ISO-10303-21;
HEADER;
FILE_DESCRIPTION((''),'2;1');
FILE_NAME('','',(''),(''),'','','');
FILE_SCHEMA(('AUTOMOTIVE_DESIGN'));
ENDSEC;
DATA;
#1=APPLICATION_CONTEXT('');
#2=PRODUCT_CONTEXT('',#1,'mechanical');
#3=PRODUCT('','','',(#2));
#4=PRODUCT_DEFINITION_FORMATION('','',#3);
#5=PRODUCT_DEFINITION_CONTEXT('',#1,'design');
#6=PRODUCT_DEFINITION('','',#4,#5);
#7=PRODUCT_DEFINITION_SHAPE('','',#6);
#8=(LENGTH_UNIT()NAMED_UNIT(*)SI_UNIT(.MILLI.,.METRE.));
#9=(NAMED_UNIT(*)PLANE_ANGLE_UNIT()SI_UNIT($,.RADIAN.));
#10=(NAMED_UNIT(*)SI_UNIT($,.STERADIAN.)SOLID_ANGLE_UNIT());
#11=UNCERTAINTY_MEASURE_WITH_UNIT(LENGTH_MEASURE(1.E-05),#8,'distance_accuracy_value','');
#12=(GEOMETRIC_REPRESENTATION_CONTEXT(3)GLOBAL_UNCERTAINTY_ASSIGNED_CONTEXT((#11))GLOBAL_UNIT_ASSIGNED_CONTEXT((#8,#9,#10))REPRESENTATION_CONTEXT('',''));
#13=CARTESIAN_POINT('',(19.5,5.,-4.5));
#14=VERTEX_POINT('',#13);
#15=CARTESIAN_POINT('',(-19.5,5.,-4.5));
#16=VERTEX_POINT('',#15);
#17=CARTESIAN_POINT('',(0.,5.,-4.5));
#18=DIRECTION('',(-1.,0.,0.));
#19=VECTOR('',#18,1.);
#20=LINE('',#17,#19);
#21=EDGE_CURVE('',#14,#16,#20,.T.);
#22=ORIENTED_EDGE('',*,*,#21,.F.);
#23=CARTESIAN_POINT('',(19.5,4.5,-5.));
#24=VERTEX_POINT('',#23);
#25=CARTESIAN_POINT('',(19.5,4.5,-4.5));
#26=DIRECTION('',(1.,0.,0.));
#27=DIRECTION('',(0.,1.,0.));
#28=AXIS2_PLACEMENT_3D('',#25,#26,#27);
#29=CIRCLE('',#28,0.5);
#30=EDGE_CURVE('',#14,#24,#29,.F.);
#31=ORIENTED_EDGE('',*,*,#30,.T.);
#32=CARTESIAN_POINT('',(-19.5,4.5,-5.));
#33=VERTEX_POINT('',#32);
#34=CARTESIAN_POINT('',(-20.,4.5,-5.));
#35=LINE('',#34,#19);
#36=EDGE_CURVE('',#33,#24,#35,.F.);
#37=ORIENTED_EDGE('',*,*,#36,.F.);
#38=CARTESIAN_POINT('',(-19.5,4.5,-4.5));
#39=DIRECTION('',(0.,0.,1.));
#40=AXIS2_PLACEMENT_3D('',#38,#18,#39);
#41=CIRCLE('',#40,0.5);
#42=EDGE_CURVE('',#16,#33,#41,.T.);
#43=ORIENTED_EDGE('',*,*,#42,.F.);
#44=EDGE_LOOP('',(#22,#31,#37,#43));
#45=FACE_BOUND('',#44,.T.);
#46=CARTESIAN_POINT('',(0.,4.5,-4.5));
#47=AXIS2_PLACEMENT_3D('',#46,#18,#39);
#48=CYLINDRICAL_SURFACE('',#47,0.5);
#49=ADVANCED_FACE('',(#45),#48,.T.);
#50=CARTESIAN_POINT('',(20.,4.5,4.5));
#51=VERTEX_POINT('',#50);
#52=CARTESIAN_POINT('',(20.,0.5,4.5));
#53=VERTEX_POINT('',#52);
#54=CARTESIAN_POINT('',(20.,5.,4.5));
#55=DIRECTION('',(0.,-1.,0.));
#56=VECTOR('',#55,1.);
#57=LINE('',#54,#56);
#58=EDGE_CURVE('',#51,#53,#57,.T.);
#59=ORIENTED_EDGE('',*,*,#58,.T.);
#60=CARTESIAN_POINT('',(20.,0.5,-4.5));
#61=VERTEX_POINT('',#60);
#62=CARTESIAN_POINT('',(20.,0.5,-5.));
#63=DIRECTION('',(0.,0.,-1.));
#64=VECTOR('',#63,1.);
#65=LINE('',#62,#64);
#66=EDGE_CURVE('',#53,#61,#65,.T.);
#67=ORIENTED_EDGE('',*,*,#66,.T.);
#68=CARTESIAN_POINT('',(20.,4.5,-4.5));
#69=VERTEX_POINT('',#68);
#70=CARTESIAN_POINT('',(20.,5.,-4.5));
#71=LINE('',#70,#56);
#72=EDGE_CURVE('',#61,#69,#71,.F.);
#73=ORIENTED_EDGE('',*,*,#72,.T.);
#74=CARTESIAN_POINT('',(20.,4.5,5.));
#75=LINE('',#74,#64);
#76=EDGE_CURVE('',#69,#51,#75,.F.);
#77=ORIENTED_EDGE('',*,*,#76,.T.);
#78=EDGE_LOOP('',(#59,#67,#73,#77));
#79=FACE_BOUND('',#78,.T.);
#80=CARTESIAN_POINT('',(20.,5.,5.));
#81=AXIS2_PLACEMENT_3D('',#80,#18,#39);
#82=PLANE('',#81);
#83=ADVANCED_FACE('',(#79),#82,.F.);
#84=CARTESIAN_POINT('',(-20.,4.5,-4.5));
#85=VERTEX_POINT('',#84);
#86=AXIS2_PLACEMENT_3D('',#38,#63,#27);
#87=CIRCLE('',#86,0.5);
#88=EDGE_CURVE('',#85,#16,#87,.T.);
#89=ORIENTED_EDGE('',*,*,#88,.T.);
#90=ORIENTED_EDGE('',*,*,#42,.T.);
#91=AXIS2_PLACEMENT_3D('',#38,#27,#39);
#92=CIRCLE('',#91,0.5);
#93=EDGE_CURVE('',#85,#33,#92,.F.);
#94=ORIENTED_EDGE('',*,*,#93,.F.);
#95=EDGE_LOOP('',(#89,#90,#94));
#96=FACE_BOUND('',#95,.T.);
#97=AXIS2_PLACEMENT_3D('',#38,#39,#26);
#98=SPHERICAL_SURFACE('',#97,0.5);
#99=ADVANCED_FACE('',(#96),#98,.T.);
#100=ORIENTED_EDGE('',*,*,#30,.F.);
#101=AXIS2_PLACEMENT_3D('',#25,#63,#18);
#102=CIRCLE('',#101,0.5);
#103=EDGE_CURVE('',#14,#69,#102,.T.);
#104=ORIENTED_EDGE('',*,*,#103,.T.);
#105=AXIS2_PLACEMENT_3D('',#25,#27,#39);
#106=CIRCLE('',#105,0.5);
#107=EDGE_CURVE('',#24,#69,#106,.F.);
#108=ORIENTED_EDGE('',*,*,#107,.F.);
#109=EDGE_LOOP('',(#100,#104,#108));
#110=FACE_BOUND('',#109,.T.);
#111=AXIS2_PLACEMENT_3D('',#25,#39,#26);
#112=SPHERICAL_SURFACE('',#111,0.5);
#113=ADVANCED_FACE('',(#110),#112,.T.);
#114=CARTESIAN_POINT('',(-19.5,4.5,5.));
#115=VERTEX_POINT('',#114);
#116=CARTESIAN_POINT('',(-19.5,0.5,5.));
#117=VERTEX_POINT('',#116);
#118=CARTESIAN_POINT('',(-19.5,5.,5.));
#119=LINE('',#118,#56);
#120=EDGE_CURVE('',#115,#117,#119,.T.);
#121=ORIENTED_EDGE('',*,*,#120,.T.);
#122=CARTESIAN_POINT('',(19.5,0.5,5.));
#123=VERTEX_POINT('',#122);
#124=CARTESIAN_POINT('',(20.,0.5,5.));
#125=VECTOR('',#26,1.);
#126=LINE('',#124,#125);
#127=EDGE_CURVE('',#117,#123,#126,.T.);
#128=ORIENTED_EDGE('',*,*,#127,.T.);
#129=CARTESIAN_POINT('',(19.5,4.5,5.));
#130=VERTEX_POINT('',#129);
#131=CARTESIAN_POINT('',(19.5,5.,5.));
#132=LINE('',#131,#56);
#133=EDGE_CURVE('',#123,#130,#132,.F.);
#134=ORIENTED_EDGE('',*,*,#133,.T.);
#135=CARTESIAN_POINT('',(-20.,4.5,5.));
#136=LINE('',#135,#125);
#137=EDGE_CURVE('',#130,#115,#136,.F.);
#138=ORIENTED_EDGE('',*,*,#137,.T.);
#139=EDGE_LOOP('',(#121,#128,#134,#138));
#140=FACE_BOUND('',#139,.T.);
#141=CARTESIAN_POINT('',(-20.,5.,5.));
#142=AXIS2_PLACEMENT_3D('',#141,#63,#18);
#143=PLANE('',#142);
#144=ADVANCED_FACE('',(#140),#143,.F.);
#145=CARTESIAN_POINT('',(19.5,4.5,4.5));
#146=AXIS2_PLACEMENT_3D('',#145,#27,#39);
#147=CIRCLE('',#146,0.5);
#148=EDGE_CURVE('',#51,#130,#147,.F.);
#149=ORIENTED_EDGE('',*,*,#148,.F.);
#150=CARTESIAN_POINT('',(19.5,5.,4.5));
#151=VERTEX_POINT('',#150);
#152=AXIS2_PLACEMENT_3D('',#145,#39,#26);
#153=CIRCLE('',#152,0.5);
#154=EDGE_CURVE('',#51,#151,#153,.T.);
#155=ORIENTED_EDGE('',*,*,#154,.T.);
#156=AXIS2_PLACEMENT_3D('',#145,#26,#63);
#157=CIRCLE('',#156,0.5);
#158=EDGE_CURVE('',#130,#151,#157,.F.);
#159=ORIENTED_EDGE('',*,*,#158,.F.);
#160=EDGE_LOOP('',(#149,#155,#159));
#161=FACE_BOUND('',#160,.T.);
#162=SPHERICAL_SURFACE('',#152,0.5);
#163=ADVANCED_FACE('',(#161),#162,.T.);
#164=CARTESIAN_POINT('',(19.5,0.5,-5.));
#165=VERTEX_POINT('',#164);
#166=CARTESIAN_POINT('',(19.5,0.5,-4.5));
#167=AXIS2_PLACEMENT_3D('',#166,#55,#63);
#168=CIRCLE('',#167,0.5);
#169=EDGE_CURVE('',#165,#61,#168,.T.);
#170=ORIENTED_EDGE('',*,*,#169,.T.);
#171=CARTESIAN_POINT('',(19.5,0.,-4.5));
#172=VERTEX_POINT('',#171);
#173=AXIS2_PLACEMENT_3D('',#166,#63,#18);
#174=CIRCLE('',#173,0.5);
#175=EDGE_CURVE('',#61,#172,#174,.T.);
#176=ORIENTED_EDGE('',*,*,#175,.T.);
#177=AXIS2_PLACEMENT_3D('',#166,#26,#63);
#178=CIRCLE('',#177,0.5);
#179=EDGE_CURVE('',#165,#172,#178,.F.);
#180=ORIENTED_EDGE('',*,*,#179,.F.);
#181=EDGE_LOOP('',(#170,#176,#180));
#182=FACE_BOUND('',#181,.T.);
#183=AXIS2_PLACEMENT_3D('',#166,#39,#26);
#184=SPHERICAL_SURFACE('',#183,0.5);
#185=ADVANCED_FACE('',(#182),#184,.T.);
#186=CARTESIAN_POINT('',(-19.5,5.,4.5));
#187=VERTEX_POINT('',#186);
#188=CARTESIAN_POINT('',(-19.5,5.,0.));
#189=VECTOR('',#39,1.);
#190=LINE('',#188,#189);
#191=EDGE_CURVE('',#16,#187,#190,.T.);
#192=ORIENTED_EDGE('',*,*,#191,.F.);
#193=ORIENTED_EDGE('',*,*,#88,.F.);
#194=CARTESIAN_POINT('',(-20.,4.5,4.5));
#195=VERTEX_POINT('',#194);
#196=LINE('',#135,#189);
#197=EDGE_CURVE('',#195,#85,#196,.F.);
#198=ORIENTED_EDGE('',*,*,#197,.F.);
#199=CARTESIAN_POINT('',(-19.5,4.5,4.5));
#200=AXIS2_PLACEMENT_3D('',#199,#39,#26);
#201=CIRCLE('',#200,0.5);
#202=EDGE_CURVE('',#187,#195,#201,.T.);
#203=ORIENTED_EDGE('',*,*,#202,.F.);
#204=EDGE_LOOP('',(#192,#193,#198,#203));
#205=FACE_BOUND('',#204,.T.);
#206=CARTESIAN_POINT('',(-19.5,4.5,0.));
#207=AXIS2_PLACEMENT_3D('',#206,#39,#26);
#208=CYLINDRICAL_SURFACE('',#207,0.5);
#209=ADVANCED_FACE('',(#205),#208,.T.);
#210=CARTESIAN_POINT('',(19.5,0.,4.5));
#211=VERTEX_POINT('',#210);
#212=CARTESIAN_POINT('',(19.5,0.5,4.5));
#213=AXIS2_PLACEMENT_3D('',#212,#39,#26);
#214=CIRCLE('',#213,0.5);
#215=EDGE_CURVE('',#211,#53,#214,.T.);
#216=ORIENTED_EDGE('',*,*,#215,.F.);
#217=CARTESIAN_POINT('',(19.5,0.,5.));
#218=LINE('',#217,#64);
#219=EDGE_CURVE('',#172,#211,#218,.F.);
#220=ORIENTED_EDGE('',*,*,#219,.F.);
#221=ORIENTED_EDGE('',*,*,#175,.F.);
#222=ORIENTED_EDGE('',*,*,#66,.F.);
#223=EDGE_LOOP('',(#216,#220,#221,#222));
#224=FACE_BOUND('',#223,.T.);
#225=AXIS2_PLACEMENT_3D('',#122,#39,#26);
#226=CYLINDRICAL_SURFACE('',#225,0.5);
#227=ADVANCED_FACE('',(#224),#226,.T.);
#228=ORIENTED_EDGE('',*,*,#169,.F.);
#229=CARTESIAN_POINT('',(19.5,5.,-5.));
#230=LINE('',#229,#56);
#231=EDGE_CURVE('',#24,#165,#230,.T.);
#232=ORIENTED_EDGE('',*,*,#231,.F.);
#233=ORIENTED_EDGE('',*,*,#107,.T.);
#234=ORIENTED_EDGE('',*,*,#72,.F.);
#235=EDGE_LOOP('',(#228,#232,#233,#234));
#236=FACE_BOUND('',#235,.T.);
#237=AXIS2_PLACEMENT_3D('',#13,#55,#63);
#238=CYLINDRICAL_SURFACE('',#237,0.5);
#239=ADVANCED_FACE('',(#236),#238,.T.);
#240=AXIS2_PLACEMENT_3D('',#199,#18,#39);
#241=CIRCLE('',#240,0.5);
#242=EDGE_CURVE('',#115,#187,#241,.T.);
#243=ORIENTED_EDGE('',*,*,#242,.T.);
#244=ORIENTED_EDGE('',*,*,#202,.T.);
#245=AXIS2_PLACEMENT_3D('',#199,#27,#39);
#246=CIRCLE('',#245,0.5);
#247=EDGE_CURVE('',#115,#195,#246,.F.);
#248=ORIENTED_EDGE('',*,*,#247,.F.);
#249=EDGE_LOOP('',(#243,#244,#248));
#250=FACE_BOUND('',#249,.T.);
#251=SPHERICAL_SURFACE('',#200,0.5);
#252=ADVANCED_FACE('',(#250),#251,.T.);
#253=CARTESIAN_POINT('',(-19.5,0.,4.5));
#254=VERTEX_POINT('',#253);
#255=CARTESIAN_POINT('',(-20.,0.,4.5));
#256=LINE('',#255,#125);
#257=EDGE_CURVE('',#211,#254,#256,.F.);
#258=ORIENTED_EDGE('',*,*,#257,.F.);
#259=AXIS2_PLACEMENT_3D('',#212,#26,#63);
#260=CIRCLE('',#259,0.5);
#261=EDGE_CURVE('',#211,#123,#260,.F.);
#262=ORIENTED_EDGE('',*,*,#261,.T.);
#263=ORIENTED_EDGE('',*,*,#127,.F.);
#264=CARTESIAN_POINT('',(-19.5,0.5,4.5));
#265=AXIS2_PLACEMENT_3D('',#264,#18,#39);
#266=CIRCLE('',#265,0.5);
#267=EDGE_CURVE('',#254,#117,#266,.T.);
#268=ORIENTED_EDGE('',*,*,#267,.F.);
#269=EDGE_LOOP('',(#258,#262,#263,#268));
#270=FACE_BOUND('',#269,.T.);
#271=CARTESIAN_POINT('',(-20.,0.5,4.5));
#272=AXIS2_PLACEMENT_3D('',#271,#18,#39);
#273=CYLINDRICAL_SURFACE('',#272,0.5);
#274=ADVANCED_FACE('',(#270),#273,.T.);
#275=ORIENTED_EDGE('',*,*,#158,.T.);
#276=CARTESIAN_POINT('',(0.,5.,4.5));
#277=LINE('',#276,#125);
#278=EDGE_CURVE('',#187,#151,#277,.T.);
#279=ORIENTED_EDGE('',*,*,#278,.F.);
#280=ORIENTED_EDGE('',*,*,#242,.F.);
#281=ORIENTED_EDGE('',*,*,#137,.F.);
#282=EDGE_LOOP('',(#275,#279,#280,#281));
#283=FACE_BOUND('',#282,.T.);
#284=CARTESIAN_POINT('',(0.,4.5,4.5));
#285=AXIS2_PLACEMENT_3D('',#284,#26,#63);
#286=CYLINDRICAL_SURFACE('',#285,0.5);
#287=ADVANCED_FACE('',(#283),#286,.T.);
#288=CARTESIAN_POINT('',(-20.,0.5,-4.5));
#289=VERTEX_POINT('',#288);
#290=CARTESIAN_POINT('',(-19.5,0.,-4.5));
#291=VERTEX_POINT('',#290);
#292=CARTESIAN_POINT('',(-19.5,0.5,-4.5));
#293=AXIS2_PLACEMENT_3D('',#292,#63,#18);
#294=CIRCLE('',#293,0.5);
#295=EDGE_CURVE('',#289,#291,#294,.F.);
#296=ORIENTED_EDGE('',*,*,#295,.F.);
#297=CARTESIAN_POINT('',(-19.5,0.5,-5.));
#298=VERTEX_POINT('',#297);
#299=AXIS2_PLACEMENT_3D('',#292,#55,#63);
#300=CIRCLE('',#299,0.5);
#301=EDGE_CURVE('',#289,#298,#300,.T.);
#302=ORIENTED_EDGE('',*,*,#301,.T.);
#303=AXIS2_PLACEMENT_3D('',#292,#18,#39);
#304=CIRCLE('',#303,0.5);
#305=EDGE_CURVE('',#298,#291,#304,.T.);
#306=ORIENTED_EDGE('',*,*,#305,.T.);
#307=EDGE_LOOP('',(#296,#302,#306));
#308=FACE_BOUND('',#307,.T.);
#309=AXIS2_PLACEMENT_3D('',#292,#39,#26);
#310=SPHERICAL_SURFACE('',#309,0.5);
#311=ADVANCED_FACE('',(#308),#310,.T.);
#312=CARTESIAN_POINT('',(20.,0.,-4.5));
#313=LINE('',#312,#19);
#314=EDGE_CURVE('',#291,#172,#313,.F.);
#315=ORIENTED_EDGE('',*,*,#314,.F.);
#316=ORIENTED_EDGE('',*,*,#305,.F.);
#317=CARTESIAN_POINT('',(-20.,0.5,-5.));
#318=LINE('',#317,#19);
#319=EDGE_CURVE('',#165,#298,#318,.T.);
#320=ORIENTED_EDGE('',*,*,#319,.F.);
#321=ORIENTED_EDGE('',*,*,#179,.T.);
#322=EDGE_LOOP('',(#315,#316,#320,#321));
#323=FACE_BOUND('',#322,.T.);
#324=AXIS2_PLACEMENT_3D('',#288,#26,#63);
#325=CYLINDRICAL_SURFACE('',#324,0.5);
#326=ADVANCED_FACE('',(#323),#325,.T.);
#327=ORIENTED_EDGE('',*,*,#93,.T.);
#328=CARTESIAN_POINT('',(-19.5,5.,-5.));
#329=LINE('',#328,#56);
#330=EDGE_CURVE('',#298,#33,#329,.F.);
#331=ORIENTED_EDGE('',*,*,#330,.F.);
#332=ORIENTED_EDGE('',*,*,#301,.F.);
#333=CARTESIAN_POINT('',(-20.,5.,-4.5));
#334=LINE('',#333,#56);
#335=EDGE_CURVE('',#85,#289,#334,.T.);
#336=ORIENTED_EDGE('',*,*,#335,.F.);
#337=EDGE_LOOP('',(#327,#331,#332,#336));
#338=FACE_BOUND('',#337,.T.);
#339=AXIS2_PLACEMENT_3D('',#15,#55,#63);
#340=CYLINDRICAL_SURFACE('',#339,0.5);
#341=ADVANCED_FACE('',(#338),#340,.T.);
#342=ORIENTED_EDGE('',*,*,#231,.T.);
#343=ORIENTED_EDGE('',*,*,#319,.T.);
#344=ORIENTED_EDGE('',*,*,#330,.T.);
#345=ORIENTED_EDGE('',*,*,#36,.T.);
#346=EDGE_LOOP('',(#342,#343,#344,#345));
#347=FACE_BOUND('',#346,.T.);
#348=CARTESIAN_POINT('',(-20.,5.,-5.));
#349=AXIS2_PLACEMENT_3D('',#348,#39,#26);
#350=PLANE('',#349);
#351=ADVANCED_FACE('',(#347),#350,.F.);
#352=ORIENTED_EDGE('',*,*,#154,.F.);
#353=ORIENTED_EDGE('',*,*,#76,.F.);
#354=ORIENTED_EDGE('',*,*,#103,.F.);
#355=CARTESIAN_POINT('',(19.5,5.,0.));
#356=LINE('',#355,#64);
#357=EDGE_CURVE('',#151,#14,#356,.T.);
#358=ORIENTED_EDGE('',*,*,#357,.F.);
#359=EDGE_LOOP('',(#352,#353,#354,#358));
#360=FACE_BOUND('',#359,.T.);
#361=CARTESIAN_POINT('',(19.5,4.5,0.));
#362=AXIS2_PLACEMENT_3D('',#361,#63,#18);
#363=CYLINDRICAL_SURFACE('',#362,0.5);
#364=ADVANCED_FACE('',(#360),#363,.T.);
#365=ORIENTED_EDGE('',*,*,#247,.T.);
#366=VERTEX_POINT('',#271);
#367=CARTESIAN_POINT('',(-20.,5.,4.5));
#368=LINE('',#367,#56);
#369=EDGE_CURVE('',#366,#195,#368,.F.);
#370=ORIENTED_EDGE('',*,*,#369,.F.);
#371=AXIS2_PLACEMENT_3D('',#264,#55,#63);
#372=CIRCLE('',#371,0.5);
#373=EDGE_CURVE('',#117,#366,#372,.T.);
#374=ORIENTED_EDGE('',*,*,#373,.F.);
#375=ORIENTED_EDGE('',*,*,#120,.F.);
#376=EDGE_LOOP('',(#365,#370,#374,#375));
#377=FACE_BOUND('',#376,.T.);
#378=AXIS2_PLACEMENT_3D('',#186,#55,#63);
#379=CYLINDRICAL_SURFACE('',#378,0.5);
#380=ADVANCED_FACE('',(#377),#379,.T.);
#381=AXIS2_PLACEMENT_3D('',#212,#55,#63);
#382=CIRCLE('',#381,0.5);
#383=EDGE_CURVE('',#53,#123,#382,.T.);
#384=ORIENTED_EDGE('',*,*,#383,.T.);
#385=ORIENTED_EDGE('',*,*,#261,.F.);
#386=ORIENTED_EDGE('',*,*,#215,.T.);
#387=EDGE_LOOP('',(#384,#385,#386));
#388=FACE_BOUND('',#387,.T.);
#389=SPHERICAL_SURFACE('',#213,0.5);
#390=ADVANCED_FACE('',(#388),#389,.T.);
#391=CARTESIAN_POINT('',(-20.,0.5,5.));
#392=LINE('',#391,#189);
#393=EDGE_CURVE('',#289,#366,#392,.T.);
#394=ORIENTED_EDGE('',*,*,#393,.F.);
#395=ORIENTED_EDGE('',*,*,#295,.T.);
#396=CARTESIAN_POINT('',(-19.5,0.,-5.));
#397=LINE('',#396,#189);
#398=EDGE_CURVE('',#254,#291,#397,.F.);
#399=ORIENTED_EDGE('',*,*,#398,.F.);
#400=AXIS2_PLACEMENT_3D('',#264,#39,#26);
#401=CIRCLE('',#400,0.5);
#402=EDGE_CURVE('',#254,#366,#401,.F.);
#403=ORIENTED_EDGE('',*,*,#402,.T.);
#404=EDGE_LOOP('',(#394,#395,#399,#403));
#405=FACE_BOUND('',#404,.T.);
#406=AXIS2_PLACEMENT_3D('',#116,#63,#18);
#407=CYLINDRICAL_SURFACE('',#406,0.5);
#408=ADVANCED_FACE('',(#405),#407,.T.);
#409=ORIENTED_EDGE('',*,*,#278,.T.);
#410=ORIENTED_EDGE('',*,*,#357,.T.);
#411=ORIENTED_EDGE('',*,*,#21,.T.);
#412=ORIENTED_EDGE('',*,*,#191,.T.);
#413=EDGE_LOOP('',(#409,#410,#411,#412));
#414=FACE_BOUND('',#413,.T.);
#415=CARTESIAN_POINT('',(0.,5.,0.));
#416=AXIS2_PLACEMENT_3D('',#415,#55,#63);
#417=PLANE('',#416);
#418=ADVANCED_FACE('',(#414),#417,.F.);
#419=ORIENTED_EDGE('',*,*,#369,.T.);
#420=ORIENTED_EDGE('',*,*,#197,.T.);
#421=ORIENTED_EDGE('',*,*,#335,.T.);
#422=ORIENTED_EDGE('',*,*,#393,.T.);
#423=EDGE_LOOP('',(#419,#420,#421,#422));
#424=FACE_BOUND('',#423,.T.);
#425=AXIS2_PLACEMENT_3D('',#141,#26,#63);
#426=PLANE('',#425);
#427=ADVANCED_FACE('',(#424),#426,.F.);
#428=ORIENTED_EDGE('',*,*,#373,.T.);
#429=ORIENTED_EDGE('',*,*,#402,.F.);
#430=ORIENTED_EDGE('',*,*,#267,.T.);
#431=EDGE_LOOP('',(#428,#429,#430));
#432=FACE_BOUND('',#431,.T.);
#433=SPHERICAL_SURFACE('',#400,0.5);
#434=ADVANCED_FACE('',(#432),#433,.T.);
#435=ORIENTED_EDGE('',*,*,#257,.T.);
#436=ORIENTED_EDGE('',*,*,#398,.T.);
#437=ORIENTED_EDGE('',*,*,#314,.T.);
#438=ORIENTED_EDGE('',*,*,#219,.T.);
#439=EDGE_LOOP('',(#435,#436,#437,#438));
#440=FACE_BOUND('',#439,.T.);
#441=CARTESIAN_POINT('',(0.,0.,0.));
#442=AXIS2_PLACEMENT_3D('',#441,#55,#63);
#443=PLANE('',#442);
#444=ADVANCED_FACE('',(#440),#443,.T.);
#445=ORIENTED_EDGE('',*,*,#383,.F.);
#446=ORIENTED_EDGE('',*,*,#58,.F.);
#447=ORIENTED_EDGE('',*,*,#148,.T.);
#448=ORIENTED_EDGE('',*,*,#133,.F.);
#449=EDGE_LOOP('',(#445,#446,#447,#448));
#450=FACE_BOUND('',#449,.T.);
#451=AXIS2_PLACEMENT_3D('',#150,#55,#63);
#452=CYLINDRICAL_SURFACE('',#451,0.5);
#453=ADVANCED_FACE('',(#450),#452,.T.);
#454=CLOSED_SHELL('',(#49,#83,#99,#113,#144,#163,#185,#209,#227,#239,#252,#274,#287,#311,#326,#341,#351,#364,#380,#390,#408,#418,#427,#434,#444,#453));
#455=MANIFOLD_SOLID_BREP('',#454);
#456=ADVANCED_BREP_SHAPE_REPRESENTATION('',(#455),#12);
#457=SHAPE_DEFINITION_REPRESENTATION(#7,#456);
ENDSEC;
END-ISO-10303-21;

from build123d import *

# Parameters (mm, degrees)
SKETCH1_W           = 40
SKETCH1_H           = 10
BOSS_EXTRUDE1_DEPTH = 5
FILLET1_R           = 0.5


with BuildPart() as part:
    # Sketch1 → Boss-Extrude1 (new body)
    with BuildSketch(Plane(origin=(0, 0, 0), x_dir=(1, 0, 0), z_dir=(0, 1, 0))):
        Rectangle(SKETCH1_W, SKETCH1_H)
    extrude(amount=BOSS_EXTRUDE1_DEPTH)

    # Fillet1
    fillet1_edges = [part.edges().sort_by_distance(p)[0] for p in [
        (-20, 5, 0),
        (0, 5, 5),
        (20, 5, 0),
        (0, 0, 5),
        (-20, 0, 0),
        (0, 0, -5),
        (20, 0, 0),
        (0, 5, -5),
        (20, 2.5, 5),
        (-20, 2.5, 5),
        (-20, 2.5, -5),
        (20, 2.5, -5),
    ]]
    fillet(fillet1_edges, radius=FILLET1_R)


solid = part.part
